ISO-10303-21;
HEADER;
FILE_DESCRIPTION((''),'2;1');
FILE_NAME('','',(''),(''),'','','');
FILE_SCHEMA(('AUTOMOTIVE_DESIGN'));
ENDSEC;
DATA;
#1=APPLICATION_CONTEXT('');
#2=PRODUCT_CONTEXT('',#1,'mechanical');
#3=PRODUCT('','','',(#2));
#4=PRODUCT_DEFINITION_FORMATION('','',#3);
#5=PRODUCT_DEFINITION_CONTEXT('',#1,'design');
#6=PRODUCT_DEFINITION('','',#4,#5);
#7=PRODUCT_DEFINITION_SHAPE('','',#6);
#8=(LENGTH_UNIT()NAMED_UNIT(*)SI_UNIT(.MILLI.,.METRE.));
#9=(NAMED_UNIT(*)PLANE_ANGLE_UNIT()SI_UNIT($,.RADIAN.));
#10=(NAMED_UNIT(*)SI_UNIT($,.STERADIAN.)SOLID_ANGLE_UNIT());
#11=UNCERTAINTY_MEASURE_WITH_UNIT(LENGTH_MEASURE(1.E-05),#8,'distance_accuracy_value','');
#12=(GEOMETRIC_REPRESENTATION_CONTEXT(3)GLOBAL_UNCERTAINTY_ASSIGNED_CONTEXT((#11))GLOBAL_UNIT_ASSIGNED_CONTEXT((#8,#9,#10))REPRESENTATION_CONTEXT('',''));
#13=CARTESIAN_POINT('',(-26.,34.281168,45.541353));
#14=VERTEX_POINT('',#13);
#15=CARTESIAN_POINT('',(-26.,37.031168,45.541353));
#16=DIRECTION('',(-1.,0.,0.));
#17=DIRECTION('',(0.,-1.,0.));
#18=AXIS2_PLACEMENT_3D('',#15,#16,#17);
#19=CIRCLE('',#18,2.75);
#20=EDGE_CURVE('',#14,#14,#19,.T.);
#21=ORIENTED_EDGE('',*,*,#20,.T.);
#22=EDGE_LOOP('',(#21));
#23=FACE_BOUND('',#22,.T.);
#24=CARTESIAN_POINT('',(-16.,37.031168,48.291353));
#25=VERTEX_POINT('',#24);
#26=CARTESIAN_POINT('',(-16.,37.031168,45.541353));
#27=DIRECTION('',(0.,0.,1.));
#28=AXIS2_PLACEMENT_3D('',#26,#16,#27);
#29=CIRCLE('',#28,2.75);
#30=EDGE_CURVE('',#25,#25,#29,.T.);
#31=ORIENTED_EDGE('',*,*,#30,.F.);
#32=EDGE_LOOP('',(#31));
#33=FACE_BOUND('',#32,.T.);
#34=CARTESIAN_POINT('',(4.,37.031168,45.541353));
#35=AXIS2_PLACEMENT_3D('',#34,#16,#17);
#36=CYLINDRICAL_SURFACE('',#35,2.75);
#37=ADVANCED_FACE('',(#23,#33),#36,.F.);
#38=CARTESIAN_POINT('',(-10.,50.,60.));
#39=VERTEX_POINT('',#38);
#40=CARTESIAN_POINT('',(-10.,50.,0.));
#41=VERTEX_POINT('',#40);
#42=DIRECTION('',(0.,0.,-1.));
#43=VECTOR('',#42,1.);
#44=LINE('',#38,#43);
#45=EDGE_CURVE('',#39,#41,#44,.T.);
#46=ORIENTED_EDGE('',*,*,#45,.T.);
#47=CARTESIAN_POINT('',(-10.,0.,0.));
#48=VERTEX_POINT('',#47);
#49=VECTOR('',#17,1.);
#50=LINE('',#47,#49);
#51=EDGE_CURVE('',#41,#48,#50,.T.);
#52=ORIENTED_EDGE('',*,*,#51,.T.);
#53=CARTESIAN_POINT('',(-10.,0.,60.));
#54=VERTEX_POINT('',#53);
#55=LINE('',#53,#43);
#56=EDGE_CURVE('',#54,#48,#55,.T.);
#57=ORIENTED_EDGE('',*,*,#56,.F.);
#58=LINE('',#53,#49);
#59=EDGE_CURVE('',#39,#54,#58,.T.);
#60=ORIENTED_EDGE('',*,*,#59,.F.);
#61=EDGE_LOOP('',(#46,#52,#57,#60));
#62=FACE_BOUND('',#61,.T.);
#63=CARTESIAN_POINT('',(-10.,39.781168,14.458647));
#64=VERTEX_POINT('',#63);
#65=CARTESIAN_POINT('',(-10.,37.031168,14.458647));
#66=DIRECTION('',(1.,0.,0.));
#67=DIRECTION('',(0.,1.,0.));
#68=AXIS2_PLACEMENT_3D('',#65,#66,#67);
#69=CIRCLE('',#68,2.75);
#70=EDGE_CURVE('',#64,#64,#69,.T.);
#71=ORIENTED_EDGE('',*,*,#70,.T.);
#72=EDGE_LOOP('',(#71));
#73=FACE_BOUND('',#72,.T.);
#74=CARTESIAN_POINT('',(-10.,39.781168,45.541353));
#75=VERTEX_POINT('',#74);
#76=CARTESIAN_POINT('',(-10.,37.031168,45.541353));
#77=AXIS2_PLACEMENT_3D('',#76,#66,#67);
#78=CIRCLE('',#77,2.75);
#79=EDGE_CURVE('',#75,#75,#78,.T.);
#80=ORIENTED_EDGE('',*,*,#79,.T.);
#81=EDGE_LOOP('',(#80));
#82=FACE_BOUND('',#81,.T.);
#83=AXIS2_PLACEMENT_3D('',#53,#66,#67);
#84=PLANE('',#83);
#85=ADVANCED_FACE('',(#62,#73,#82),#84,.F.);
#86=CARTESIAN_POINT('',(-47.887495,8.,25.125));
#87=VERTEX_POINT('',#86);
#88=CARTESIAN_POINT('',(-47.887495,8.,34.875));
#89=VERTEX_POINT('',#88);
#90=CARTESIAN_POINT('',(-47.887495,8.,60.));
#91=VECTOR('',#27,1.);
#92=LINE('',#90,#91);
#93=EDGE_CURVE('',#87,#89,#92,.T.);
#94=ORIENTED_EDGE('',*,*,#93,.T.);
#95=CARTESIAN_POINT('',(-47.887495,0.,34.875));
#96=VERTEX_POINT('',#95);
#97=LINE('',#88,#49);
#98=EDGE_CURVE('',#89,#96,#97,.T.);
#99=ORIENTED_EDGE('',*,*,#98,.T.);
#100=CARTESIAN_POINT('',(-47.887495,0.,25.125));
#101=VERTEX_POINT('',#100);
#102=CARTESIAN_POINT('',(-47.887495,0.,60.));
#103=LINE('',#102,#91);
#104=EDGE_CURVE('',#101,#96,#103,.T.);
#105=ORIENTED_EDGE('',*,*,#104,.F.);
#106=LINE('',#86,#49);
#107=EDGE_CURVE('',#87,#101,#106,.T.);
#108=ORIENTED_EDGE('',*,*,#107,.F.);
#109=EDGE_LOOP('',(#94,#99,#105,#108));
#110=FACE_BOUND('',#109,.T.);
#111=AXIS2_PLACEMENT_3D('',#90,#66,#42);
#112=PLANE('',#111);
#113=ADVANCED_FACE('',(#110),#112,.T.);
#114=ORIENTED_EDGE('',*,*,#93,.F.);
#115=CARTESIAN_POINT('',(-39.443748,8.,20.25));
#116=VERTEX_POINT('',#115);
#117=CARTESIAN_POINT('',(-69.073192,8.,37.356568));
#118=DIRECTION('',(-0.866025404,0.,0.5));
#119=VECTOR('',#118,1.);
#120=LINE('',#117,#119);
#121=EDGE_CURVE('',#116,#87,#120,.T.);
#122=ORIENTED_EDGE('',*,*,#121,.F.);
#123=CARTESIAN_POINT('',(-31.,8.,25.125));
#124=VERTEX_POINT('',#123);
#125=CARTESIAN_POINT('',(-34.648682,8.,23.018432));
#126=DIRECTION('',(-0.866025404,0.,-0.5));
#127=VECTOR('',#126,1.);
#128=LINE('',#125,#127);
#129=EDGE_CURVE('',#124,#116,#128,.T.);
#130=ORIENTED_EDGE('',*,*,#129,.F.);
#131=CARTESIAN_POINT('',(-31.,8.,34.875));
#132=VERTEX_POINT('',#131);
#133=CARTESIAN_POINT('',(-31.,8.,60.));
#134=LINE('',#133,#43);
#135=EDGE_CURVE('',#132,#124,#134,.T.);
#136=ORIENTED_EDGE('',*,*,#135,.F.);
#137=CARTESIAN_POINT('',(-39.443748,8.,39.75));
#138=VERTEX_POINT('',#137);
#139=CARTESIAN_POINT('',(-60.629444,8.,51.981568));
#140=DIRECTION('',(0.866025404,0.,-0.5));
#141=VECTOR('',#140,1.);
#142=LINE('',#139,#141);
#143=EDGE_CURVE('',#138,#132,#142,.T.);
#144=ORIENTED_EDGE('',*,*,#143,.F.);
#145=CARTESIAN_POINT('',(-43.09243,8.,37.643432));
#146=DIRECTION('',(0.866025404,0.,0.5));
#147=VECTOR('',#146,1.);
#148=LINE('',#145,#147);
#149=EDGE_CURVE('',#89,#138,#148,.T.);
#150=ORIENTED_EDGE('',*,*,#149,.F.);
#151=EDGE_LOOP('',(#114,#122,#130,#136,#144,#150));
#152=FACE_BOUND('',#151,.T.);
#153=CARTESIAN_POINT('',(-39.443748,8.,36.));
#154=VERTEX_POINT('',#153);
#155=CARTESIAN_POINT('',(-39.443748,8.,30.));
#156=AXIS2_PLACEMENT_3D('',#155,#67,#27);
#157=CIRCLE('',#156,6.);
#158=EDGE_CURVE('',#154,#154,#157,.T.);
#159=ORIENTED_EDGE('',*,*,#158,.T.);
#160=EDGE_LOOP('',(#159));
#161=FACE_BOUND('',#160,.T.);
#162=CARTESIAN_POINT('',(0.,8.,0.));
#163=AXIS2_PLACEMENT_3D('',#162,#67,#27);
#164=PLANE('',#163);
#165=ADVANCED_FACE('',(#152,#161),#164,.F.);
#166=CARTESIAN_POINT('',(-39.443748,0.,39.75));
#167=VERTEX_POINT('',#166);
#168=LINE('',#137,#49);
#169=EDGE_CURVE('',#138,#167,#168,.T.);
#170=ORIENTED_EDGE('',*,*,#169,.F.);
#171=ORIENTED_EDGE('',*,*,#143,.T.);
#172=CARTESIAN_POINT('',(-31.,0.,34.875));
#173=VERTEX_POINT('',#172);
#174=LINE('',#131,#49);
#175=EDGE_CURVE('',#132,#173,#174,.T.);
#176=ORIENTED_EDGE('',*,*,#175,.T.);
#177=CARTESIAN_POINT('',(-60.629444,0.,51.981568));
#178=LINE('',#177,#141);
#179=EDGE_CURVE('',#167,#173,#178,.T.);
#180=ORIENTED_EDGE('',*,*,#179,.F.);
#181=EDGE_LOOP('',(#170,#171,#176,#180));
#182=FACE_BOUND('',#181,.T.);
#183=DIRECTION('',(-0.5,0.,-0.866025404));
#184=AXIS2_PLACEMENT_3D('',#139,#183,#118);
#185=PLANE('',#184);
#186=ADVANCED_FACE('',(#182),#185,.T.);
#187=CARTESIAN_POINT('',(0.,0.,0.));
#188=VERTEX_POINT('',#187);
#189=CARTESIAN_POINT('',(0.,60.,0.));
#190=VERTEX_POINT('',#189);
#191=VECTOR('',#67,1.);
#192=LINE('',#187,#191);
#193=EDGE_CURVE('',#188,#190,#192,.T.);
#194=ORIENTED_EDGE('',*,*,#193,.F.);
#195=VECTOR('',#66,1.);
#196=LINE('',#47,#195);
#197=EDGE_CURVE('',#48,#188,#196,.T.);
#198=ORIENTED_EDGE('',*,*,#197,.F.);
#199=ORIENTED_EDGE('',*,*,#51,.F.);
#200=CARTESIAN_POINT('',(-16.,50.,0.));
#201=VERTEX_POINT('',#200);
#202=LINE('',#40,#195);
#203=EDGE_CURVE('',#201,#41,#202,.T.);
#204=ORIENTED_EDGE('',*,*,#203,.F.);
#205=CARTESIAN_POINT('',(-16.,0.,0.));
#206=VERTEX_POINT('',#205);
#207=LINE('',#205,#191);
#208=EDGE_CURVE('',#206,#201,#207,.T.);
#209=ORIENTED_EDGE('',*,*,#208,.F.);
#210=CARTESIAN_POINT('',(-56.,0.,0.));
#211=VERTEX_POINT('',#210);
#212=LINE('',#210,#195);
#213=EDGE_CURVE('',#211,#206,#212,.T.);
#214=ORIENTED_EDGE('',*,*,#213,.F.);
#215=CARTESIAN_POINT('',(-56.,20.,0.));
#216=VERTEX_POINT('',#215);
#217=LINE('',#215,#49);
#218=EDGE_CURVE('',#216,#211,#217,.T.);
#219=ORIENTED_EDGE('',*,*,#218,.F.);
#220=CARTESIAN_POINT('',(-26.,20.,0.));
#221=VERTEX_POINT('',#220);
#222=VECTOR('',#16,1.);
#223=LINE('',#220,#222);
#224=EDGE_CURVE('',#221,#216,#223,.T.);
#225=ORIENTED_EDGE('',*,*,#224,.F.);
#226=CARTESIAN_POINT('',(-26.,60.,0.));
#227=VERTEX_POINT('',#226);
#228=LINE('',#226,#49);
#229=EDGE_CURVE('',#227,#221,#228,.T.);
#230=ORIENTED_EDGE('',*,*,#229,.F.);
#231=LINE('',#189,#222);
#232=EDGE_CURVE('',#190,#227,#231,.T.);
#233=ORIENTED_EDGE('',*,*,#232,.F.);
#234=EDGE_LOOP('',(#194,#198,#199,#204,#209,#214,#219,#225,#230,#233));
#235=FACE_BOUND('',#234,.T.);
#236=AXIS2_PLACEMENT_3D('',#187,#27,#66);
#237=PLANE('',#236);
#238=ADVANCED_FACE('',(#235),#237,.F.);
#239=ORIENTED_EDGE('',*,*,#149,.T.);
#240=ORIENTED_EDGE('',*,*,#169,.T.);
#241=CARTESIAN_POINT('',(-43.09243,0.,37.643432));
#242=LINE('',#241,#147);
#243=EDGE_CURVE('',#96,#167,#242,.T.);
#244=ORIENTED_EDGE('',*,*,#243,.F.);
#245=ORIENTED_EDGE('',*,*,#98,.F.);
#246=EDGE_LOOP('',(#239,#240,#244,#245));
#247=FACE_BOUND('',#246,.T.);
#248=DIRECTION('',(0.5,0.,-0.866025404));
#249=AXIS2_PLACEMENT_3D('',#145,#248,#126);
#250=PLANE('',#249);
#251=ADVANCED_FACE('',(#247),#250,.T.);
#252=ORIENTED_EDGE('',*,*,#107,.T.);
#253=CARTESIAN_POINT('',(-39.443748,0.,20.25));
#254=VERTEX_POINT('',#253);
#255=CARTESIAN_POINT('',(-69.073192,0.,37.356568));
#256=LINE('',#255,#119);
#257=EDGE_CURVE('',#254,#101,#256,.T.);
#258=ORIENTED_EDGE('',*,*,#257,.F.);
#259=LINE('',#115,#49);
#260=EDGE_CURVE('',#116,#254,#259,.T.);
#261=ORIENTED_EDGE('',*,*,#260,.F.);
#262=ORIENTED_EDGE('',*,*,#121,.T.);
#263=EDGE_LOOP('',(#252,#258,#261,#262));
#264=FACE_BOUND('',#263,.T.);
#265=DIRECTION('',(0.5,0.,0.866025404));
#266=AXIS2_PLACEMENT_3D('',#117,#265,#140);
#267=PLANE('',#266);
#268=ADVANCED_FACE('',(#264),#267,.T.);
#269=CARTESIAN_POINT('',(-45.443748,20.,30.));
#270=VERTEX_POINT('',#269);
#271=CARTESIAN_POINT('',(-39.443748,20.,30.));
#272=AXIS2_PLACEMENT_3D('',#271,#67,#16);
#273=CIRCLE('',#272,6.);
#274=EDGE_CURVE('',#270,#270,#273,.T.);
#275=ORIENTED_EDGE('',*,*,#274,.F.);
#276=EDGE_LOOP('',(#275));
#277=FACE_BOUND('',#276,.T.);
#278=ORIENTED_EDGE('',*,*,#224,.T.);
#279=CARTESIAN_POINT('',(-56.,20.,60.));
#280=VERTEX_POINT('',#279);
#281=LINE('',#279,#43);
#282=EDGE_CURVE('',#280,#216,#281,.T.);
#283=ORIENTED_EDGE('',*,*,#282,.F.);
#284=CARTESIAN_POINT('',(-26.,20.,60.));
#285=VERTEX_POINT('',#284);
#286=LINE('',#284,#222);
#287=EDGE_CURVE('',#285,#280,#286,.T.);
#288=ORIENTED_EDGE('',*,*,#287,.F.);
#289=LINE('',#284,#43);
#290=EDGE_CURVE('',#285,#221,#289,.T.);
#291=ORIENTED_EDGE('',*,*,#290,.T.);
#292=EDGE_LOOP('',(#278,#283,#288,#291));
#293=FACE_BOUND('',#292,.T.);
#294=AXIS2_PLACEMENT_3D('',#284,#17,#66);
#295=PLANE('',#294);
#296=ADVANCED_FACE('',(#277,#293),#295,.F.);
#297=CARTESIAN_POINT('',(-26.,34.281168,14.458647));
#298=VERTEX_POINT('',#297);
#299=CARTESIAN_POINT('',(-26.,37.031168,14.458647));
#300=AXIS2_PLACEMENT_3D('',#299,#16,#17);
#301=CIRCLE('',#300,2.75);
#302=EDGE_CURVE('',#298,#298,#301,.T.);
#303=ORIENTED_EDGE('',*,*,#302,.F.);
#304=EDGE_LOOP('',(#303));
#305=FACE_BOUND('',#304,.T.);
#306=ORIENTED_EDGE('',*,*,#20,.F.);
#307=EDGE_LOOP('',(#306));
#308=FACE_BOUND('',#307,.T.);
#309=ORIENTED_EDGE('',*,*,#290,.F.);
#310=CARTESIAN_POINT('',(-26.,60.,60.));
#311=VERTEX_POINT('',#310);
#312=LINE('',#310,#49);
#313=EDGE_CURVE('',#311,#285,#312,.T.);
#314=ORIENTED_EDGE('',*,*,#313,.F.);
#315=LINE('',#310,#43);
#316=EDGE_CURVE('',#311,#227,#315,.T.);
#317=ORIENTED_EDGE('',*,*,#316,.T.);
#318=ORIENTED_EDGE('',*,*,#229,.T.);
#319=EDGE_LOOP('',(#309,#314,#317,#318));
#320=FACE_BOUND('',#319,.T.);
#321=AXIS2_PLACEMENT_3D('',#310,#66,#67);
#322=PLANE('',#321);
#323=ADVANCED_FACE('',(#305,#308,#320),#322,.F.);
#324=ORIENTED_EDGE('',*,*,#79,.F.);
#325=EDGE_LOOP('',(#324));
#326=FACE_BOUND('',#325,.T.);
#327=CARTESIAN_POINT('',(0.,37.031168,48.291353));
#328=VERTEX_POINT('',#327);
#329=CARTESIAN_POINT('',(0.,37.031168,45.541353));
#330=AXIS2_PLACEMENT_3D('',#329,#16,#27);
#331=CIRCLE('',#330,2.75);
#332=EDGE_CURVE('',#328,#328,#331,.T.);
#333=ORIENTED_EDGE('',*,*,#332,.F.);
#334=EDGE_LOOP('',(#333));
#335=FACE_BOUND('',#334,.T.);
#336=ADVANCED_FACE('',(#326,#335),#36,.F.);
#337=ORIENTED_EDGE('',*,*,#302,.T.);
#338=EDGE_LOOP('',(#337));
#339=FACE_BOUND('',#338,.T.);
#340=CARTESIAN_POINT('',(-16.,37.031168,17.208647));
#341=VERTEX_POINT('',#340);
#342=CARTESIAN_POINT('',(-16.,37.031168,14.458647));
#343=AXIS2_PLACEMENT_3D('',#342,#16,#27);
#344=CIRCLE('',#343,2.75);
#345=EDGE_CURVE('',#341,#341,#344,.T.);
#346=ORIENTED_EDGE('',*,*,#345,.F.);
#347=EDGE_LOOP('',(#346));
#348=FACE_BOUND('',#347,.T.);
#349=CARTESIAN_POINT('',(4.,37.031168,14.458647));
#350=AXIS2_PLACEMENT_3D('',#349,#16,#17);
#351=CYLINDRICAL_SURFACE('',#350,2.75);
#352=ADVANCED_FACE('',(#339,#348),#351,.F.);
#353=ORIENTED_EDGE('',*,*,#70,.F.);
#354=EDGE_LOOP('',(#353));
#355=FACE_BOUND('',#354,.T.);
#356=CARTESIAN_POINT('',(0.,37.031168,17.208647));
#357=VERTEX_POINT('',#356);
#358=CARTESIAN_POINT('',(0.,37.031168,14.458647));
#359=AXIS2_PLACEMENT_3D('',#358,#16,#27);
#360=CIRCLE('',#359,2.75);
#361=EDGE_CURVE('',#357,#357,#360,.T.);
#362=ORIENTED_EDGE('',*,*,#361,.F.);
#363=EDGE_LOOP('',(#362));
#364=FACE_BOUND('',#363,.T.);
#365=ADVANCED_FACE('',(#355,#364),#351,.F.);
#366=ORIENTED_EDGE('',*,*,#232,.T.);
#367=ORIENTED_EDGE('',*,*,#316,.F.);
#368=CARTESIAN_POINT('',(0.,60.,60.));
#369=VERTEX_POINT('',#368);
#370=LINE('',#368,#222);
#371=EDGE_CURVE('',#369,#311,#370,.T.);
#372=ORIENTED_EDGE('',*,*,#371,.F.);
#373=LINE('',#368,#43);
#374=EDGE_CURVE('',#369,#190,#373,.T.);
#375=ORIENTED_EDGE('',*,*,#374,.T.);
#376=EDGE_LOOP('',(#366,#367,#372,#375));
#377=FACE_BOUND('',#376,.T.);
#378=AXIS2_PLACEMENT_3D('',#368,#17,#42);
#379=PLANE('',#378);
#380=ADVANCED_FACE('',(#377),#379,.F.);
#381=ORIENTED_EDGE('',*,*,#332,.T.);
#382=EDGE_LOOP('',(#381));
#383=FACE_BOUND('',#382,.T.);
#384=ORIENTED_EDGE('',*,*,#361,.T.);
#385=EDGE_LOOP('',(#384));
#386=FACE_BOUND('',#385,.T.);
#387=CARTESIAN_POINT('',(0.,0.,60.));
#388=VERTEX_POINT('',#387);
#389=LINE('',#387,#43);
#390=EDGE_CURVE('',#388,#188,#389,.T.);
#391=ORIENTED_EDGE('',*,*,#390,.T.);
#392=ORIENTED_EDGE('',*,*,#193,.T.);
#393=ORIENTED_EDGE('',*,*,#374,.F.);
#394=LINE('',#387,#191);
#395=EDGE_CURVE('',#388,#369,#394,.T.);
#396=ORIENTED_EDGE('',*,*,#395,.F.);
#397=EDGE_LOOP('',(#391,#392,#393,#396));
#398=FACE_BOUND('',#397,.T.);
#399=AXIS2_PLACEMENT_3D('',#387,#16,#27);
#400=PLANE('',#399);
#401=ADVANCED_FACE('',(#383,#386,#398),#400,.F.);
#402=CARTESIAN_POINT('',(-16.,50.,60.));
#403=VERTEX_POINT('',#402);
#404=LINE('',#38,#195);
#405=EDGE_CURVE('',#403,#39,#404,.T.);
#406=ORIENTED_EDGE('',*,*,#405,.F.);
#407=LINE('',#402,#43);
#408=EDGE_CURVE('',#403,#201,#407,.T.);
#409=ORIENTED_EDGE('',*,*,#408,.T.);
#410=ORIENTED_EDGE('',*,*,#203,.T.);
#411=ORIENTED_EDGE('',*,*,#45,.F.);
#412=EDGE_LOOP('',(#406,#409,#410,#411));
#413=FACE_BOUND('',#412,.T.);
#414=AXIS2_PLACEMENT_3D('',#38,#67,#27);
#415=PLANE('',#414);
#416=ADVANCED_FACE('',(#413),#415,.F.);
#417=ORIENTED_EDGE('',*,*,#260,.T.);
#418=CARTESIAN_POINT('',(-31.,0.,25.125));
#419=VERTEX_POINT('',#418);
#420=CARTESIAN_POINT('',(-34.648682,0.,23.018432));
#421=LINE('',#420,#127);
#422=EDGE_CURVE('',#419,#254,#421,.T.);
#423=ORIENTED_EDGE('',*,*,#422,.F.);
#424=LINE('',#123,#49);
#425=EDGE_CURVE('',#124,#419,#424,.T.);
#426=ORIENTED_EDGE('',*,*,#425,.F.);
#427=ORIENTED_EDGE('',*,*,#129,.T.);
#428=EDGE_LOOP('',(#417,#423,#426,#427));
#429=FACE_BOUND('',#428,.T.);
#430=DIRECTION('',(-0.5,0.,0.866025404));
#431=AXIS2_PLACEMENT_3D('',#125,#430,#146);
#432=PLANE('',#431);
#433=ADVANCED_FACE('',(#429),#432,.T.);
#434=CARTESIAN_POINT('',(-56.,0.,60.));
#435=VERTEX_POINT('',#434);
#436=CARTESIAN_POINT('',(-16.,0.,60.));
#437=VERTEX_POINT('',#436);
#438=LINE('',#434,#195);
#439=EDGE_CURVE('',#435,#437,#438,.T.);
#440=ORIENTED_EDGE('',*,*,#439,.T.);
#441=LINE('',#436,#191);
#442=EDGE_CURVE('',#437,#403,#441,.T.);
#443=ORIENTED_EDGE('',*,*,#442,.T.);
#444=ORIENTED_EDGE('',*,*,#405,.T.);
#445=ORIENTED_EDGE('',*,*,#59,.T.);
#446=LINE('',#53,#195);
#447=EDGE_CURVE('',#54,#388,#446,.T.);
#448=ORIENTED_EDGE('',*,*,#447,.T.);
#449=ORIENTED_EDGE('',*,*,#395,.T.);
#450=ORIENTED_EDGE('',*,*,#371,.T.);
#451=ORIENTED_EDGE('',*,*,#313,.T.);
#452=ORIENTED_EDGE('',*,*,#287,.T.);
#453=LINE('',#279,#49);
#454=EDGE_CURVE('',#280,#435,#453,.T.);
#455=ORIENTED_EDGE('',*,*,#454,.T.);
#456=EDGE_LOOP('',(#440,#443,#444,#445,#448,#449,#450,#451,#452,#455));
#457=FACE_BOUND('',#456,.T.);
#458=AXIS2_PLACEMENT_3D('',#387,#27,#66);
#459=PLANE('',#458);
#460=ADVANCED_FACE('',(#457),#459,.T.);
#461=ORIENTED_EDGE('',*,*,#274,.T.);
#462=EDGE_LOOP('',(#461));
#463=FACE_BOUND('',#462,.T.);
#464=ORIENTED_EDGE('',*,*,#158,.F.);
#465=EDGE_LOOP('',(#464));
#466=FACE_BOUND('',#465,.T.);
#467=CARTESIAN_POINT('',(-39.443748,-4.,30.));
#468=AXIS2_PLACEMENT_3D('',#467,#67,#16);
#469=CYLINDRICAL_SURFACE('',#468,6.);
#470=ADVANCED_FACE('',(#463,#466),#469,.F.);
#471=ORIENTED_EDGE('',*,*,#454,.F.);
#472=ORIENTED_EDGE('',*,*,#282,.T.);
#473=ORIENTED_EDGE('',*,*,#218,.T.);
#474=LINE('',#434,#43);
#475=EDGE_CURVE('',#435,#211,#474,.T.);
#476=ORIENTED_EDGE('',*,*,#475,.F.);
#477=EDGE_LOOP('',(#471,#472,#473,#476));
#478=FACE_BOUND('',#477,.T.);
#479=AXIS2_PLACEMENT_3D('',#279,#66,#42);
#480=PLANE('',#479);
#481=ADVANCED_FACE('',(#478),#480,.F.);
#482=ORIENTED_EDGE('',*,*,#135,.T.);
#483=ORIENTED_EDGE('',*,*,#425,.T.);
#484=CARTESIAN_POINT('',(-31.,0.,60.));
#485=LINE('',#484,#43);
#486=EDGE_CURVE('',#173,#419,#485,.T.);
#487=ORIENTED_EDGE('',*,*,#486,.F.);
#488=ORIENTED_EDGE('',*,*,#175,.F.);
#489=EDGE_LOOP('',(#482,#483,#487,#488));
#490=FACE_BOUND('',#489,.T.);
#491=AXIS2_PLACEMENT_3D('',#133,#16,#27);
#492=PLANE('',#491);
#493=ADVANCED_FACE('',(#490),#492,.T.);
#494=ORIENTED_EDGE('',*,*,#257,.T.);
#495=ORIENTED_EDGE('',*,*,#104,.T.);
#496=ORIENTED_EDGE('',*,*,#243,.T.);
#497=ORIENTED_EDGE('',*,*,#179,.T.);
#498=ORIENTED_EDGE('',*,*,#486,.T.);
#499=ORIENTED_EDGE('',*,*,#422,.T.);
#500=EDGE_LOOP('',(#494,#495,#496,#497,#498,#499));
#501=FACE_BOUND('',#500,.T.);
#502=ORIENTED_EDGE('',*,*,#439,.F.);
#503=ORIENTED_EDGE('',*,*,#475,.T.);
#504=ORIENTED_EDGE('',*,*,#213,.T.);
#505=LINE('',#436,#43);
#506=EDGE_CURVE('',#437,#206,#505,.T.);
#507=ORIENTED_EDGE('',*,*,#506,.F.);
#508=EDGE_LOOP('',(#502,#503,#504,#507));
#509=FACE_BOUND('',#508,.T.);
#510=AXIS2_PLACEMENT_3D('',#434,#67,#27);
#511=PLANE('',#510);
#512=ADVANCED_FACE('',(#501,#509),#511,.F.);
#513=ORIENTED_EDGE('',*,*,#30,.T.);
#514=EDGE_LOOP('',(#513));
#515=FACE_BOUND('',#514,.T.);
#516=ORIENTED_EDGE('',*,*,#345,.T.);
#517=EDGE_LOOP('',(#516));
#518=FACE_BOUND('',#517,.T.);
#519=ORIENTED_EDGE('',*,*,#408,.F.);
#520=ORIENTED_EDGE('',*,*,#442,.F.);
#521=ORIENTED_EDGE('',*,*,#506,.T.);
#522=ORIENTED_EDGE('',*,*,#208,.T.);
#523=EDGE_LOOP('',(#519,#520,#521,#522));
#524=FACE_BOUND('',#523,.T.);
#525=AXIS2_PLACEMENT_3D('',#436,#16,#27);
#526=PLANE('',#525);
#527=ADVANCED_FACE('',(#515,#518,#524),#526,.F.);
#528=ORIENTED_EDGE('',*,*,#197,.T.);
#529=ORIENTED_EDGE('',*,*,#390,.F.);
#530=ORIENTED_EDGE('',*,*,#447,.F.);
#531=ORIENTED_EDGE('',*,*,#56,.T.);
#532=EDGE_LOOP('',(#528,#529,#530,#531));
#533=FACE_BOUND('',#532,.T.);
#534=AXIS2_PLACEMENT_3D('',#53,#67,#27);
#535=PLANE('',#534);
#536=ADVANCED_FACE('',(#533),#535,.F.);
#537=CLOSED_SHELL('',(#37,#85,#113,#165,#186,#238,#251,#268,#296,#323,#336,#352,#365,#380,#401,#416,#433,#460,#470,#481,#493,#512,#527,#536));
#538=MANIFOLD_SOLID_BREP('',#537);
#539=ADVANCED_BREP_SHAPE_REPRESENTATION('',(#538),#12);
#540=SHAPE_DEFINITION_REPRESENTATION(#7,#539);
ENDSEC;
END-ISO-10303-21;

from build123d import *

# Parameters (mm, degrees)
BOSS_EXTRUDE1_DEPTH = 60
SKETCH3_R           = 6
CUT_EXTRUDE1_DEPTH  = 24
CUT_EXTRUDE2_START  = -12
SKETCH3_3_R         = 6
CUT_EXTRUDE2_DEPTH  = 8
SKETCH4_R           = 2.75
CUT_EXTRUDE3_DEPTH  = 30


with BuildPart() as part:
    # Sketch1 → Boss-Extrude1 (new body)
    with BuildSketch(Plane.XY):
        Polygon((0, 0), (0, 60), (-26, 60), (-26, 20), (-56, 20), (-56, 0), (-16, 0), (-16, 50), (-10, 50), (-10, 0), align=None)
    extrude(amount=BOSS_EXTRUDE1_DEPTH)

    # Sketch3 → Cut-Extrude1 (cut)
    with BuildSketch(Plane(origin=(0, 20, 0), x_dir=(1, 0, 0), z_dir=(0, 1, 0))):
        with Locations(Location((-39.443747687, -30, 0), (0, 0, 180))):
            Circle(SKETCH3_R)
    extrude(amount=-CUT_EXTRUDE1_DEPTH, mode=Mode.SUBTRACT)

    # Sketch3<3> → Cut-Extrude2 (cut)
    with BuildSketch(Plane(origin=(0, 20, 0), x_dir=(1, 0, 0), z_dir=(0, 1, 0)).offset(CUT_EXTRUDE2_START)):
        Polygon((-31, -25.125), (-39.443747687, -20.25), (-47.887495374, -25.125), (-47.887495374, -34.875), (-39.443747687, -39.75), (-31, -34.875), align=None)
        with Locations(Location((-39.443747687, -30, 0), (0, 0, 180))):
            Circle(SKETCH3_3_R, mode=Mode.SUBTRACT)
    extrude(amount=-CUT_EXTRUDE2_DEPTH, mode=Mode.SUBTRACT)

    # Sketch4 → Cut-Extrude3 (cut)
    with BuildSketch(Plane.ZY.offset(26)):
        with Locations((14.458646622, 37.03116756)):
            Circle(SKETCH4_R)
        with Locations((45.541353378, 37.03116756)):
            Circle(SKETCH4_R)
    extrude(amount=-CUT_EXTRUDE3_DEPTH, mode=Mode.SUBTRACT)


solid = part.part
